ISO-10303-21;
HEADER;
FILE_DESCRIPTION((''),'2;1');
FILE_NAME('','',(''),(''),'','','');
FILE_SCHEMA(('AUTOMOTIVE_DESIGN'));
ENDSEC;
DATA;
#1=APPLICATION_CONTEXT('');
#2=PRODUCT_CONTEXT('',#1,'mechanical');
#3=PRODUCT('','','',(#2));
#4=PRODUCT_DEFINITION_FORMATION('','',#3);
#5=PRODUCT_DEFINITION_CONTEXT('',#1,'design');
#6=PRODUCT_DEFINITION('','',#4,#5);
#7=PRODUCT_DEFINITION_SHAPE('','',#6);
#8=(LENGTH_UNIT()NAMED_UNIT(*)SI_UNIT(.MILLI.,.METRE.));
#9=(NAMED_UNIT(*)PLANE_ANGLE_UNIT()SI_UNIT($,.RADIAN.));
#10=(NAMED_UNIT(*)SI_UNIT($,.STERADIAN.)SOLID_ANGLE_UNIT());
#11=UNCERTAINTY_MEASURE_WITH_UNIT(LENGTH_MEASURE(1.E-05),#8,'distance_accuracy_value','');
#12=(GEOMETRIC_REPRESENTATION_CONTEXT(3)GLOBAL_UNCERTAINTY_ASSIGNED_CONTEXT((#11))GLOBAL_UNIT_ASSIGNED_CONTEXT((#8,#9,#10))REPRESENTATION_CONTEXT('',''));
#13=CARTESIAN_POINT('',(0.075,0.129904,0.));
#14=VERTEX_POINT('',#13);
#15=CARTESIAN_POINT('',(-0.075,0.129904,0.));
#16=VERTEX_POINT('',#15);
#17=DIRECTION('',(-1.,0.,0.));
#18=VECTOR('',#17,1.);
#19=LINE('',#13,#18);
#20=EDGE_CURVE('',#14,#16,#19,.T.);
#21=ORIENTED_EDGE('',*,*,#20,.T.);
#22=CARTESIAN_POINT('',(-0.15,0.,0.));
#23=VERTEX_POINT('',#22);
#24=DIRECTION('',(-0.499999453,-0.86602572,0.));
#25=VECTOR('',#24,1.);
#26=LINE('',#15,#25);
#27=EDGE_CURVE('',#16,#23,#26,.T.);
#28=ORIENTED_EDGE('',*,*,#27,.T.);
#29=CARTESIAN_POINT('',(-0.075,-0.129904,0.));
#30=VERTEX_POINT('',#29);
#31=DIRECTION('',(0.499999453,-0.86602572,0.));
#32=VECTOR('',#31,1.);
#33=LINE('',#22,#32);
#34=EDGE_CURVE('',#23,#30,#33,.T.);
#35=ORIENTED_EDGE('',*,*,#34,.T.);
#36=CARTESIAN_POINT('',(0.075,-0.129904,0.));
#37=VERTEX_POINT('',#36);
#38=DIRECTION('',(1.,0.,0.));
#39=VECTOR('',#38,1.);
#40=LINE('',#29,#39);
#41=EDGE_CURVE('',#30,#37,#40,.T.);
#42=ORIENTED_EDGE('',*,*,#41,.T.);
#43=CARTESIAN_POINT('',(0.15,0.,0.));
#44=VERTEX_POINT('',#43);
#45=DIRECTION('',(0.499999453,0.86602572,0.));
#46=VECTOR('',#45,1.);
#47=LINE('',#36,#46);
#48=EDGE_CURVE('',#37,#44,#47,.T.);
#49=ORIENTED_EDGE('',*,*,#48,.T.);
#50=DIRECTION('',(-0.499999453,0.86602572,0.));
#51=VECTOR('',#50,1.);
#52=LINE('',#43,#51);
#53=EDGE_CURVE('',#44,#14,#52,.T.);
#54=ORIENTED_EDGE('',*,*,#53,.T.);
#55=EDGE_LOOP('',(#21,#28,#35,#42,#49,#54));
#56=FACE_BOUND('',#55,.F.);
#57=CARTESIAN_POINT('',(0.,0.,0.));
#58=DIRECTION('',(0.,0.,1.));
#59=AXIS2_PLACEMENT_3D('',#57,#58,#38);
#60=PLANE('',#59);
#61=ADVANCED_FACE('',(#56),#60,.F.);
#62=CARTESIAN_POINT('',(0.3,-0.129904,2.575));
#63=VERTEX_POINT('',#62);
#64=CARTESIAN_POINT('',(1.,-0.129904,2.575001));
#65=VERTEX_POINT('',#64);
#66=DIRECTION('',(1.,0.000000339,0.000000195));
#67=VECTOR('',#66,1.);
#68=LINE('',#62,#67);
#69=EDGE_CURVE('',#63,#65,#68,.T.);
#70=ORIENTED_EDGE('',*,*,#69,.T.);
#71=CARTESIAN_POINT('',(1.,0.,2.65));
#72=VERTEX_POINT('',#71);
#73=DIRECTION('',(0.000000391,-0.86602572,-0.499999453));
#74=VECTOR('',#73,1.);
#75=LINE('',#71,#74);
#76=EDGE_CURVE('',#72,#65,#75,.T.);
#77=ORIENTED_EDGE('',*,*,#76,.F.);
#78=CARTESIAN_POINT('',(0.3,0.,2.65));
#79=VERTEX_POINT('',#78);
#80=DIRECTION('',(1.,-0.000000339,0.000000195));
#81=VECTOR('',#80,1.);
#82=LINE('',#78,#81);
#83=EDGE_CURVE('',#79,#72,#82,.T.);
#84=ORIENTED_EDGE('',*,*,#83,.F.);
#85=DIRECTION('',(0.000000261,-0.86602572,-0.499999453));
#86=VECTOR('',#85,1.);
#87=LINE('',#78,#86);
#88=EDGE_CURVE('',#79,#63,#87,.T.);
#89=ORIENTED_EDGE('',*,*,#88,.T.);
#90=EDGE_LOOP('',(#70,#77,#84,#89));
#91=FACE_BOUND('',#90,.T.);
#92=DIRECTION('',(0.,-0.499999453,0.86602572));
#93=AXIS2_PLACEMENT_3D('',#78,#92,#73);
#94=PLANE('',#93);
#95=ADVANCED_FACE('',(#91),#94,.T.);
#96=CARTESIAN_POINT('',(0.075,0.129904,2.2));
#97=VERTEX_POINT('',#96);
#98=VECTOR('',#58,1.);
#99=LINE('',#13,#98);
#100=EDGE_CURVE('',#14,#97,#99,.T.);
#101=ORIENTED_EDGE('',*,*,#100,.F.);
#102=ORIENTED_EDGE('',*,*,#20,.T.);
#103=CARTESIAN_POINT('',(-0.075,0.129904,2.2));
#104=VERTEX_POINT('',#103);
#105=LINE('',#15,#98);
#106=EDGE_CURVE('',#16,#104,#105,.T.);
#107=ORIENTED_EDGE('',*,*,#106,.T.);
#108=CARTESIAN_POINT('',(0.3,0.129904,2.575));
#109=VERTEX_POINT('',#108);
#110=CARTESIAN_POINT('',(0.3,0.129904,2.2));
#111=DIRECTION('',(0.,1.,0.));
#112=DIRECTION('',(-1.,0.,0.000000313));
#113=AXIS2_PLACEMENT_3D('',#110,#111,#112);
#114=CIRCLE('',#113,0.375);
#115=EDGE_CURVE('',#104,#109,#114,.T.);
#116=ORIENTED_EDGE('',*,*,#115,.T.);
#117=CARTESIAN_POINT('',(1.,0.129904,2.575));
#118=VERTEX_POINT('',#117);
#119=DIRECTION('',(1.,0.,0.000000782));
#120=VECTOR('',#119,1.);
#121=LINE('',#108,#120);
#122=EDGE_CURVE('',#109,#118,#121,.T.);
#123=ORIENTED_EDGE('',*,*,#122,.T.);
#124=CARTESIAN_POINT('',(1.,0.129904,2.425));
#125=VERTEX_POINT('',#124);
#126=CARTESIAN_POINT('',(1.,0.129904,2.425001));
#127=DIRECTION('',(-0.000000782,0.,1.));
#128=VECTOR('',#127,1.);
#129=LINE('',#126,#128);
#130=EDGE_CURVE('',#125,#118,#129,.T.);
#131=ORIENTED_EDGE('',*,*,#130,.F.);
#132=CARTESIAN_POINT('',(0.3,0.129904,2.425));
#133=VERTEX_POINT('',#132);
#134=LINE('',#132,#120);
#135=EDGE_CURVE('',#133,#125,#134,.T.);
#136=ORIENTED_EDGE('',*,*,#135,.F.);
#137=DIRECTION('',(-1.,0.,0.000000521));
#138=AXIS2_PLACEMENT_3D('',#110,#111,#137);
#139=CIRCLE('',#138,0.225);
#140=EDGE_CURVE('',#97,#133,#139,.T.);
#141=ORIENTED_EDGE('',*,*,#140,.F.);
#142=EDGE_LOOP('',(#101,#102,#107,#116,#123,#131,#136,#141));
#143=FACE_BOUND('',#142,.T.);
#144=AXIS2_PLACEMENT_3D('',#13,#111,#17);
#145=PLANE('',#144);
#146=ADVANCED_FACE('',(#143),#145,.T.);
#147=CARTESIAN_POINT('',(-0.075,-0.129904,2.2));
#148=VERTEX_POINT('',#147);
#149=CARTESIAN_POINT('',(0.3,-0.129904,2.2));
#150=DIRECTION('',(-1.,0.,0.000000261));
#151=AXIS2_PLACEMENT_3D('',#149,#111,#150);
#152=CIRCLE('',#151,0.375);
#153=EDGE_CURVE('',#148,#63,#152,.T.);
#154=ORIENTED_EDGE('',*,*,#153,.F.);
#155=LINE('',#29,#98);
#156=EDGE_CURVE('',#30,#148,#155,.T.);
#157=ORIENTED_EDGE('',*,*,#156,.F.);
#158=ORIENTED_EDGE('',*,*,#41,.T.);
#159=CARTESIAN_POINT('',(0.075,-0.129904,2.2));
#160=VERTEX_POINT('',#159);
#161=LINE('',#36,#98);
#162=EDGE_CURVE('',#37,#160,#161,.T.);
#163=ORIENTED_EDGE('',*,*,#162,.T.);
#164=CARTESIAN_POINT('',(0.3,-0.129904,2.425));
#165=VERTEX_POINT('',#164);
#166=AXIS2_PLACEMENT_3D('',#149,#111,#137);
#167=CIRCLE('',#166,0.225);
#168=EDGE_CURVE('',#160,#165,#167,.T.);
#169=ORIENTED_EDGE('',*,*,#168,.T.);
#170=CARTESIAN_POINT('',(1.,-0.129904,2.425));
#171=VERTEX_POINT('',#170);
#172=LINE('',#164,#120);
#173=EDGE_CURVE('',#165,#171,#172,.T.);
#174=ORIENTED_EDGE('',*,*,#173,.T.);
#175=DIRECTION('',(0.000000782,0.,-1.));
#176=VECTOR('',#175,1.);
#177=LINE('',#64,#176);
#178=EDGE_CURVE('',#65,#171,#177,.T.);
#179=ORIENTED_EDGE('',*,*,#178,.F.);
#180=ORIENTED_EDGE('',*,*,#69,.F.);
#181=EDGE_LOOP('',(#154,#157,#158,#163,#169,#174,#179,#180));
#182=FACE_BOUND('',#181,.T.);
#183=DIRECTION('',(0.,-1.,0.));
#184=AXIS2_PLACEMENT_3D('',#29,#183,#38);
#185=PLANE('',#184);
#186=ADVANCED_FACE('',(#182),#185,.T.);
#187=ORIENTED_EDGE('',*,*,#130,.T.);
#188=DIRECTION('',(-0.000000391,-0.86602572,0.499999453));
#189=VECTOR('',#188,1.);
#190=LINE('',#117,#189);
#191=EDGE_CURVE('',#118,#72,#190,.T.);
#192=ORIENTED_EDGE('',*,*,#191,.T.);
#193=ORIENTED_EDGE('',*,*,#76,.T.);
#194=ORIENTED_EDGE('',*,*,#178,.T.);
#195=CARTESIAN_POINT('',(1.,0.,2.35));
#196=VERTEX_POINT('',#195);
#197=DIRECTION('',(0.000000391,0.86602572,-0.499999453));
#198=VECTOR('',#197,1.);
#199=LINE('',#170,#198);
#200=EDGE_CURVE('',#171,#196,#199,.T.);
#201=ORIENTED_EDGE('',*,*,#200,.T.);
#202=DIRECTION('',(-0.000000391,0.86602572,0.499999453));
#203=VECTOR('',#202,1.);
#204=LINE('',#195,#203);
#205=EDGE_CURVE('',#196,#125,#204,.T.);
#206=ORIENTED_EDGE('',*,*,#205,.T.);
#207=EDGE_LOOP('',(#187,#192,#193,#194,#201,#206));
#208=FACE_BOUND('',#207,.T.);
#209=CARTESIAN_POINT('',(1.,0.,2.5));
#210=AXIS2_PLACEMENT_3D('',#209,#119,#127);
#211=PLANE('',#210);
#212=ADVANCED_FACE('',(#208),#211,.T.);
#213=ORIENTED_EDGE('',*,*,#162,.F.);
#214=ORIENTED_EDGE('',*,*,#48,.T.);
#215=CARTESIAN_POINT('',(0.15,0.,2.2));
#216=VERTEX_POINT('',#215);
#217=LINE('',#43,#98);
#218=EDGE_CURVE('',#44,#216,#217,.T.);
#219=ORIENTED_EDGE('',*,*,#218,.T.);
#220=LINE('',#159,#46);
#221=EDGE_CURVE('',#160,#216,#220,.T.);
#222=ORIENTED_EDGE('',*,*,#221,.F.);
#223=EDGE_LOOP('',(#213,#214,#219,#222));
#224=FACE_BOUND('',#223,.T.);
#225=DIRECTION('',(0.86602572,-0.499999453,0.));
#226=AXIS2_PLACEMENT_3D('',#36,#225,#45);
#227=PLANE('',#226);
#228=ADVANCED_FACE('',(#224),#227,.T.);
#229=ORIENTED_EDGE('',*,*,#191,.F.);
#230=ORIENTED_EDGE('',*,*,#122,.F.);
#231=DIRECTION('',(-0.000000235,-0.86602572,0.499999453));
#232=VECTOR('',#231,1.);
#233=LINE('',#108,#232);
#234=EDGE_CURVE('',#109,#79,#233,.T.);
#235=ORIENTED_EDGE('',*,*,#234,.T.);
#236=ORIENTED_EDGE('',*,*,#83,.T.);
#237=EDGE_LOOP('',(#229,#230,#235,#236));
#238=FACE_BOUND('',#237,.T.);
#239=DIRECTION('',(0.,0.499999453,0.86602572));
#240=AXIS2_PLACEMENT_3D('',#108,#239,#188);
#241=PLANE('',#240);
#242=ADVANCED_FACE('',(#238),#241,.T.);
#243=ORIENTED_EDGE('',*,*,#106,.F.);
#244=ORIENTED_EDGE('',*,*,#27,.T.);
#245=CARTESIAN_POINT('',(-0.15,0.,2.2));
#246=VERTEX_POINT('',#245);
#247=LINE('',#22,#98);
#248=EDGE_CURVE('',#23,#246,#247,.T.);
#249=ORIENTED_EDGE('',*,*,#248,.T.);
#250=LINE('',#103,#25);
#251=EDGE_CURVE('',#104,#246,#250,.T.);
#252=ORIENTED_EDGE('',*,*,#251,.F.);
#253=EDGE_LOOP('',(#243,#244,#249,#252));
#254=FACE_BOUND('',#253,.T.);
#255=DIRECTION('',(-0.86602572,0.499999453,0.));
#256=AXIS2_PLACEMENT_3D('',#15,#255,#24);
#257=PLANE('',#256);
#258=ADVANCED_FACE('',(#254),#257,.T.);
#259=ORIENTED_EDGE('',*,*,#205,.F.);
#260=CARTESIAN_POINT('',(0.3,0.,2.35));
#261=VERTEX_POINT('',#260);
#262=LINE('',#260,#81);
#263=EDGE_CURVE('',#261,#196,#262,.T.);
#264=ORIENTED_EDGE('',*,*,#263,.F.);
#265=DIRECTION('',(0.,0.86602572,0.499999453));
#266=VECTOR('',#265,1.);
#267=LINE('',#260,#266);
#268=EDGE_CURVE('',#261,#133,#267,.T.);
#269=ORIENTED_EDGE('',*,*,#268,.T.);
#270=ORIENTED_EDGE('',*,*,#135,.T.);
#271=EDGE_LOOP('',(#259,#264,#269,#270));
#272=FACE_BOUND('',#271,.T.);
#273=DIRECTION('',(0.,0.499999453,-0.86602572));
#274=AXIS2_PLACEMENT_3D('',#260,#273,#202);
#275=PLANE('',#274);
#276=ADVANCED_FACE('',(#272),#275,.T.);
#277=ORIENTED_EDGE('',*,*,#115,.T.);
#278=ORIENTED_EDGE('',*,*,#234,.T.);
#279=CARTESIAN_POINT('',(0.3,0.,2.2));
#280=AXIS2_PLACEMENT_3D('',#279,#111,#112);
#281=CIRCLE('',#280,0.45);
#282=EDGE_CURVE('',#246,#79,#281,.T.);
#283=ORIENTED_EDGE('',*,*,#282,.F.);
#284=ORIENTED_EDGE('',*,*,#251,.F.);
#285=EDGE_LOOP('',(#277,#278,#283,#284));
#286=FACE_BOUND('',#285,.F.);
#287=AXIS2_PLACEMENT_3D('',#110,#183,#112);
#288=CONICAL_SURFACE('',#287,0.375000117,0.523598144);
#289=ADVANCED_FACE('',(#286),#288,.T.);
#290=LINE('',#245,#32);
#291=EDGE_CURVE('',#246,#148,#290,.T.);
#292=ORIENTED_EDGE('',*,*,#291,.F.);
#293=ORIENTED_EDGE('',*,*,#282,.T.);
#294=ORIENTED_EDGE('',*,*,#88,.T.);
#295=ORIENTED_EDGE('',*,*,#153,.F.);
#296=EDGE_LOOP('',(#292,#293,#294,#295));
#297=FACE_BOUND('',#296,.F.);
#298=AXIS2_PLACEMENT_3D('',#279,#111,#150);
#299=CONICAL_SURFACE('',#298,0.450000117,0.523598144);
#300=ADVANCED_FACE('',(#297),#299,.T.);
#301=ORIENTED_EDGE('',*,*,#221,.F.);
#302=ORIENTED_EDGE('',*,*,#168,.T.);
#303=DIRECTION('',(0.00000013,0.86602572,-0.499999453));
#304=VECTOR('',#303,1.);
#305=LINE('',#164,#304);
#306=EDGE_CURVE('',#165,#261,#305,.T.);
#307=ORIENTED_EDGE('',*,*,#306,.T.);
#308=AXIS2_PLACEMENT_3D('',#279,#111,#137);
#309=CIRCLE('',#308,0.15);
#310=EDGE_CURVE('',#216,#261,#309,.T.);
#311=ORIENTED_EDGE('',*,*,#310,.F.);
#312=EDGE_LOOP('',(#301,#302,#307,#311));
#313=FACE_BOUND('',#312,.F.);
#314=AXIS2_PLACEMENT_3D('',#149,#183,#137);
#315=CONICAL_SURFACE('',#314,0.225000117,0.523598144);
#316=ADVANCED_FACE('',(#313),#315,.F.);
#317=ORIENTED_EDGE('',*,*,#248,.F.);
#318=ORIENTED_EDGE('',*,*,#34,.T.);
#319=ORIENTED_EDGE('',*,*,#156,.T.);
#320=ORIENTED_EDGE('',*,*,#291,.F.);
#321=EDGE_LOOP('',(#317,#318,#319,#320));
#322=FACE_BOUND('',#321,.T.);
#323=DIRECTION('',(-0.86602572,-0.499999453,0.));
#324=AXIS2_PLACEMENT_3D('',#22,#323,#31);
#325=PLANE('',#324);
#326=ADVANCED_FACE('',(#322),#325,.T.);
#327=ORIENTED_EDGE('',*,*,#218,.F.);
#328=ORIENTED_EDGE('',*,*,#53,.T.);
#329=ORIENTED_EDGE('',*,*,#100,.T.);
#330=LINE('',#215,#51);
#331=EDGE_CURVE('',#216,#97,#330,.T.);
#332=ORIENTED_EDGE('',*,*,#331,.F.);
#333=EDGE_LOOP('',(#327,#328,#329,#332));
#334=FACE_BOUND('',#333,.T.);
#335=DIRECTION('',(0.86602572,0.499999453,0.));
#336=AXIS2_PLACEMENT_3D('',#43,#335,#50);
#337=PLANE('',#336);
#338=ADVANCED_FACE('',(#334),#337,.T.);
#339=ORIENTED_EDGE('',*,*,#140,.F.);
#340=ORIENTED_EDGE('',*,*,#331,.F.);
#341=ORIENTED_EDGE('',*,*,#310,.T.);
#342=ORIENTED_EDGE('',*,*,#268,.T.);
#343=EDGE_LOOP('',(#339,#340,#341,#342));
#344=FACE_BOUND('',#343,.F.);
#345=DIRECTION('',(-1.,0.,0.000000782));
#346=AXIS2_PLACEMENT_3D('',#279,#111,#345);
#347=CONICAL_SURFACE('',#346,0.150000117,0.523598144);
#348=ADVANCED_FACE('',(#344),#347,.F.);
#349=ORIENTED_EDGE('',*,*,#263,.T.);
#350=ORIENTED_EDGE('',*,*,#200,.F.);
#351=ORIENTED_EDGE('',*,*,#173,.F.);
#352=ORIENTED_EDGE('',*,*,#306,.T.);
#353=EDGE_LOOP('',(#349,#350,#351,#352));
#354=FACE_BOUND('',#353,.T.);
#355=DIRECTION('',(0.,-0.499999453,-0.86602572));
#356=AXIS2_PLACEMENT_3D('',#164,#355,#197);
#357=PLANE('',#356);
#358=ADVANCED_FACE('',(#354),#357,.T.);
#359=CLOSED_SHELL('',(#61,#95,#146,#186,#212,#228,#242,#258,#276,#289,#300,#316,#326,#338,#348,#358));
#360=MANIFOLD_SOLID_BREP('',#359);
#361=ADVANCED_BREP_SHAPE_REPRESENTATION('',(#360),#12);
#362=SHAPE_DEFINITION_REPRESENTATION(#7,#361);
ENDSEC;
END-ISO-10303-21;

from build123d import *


with BuildPart() as f2:
    # F2: sweep along a path in F0
    with BuildLine(Plane.XZ) as f2_path:
        Line((0, 0), (0, 2.2))
        ThreePointArc((0, 2.2), (0.087868, 2.412132), (0.3, 2.5))
        Line((0.3, 2.5), (1, 2.5))
    # F1 (on Top) → F2 (sweep)
    with BuildSketch(Plane.XY):
        Polygon((0.075, 0.129904), (-0.075, 0.129904), (-0.15, 0), (-0.075, -0.129904), (0.075, -0.129904), (0.15, 0), align=None)
    sweep(path=f2_path.line)


solid = f2.part
